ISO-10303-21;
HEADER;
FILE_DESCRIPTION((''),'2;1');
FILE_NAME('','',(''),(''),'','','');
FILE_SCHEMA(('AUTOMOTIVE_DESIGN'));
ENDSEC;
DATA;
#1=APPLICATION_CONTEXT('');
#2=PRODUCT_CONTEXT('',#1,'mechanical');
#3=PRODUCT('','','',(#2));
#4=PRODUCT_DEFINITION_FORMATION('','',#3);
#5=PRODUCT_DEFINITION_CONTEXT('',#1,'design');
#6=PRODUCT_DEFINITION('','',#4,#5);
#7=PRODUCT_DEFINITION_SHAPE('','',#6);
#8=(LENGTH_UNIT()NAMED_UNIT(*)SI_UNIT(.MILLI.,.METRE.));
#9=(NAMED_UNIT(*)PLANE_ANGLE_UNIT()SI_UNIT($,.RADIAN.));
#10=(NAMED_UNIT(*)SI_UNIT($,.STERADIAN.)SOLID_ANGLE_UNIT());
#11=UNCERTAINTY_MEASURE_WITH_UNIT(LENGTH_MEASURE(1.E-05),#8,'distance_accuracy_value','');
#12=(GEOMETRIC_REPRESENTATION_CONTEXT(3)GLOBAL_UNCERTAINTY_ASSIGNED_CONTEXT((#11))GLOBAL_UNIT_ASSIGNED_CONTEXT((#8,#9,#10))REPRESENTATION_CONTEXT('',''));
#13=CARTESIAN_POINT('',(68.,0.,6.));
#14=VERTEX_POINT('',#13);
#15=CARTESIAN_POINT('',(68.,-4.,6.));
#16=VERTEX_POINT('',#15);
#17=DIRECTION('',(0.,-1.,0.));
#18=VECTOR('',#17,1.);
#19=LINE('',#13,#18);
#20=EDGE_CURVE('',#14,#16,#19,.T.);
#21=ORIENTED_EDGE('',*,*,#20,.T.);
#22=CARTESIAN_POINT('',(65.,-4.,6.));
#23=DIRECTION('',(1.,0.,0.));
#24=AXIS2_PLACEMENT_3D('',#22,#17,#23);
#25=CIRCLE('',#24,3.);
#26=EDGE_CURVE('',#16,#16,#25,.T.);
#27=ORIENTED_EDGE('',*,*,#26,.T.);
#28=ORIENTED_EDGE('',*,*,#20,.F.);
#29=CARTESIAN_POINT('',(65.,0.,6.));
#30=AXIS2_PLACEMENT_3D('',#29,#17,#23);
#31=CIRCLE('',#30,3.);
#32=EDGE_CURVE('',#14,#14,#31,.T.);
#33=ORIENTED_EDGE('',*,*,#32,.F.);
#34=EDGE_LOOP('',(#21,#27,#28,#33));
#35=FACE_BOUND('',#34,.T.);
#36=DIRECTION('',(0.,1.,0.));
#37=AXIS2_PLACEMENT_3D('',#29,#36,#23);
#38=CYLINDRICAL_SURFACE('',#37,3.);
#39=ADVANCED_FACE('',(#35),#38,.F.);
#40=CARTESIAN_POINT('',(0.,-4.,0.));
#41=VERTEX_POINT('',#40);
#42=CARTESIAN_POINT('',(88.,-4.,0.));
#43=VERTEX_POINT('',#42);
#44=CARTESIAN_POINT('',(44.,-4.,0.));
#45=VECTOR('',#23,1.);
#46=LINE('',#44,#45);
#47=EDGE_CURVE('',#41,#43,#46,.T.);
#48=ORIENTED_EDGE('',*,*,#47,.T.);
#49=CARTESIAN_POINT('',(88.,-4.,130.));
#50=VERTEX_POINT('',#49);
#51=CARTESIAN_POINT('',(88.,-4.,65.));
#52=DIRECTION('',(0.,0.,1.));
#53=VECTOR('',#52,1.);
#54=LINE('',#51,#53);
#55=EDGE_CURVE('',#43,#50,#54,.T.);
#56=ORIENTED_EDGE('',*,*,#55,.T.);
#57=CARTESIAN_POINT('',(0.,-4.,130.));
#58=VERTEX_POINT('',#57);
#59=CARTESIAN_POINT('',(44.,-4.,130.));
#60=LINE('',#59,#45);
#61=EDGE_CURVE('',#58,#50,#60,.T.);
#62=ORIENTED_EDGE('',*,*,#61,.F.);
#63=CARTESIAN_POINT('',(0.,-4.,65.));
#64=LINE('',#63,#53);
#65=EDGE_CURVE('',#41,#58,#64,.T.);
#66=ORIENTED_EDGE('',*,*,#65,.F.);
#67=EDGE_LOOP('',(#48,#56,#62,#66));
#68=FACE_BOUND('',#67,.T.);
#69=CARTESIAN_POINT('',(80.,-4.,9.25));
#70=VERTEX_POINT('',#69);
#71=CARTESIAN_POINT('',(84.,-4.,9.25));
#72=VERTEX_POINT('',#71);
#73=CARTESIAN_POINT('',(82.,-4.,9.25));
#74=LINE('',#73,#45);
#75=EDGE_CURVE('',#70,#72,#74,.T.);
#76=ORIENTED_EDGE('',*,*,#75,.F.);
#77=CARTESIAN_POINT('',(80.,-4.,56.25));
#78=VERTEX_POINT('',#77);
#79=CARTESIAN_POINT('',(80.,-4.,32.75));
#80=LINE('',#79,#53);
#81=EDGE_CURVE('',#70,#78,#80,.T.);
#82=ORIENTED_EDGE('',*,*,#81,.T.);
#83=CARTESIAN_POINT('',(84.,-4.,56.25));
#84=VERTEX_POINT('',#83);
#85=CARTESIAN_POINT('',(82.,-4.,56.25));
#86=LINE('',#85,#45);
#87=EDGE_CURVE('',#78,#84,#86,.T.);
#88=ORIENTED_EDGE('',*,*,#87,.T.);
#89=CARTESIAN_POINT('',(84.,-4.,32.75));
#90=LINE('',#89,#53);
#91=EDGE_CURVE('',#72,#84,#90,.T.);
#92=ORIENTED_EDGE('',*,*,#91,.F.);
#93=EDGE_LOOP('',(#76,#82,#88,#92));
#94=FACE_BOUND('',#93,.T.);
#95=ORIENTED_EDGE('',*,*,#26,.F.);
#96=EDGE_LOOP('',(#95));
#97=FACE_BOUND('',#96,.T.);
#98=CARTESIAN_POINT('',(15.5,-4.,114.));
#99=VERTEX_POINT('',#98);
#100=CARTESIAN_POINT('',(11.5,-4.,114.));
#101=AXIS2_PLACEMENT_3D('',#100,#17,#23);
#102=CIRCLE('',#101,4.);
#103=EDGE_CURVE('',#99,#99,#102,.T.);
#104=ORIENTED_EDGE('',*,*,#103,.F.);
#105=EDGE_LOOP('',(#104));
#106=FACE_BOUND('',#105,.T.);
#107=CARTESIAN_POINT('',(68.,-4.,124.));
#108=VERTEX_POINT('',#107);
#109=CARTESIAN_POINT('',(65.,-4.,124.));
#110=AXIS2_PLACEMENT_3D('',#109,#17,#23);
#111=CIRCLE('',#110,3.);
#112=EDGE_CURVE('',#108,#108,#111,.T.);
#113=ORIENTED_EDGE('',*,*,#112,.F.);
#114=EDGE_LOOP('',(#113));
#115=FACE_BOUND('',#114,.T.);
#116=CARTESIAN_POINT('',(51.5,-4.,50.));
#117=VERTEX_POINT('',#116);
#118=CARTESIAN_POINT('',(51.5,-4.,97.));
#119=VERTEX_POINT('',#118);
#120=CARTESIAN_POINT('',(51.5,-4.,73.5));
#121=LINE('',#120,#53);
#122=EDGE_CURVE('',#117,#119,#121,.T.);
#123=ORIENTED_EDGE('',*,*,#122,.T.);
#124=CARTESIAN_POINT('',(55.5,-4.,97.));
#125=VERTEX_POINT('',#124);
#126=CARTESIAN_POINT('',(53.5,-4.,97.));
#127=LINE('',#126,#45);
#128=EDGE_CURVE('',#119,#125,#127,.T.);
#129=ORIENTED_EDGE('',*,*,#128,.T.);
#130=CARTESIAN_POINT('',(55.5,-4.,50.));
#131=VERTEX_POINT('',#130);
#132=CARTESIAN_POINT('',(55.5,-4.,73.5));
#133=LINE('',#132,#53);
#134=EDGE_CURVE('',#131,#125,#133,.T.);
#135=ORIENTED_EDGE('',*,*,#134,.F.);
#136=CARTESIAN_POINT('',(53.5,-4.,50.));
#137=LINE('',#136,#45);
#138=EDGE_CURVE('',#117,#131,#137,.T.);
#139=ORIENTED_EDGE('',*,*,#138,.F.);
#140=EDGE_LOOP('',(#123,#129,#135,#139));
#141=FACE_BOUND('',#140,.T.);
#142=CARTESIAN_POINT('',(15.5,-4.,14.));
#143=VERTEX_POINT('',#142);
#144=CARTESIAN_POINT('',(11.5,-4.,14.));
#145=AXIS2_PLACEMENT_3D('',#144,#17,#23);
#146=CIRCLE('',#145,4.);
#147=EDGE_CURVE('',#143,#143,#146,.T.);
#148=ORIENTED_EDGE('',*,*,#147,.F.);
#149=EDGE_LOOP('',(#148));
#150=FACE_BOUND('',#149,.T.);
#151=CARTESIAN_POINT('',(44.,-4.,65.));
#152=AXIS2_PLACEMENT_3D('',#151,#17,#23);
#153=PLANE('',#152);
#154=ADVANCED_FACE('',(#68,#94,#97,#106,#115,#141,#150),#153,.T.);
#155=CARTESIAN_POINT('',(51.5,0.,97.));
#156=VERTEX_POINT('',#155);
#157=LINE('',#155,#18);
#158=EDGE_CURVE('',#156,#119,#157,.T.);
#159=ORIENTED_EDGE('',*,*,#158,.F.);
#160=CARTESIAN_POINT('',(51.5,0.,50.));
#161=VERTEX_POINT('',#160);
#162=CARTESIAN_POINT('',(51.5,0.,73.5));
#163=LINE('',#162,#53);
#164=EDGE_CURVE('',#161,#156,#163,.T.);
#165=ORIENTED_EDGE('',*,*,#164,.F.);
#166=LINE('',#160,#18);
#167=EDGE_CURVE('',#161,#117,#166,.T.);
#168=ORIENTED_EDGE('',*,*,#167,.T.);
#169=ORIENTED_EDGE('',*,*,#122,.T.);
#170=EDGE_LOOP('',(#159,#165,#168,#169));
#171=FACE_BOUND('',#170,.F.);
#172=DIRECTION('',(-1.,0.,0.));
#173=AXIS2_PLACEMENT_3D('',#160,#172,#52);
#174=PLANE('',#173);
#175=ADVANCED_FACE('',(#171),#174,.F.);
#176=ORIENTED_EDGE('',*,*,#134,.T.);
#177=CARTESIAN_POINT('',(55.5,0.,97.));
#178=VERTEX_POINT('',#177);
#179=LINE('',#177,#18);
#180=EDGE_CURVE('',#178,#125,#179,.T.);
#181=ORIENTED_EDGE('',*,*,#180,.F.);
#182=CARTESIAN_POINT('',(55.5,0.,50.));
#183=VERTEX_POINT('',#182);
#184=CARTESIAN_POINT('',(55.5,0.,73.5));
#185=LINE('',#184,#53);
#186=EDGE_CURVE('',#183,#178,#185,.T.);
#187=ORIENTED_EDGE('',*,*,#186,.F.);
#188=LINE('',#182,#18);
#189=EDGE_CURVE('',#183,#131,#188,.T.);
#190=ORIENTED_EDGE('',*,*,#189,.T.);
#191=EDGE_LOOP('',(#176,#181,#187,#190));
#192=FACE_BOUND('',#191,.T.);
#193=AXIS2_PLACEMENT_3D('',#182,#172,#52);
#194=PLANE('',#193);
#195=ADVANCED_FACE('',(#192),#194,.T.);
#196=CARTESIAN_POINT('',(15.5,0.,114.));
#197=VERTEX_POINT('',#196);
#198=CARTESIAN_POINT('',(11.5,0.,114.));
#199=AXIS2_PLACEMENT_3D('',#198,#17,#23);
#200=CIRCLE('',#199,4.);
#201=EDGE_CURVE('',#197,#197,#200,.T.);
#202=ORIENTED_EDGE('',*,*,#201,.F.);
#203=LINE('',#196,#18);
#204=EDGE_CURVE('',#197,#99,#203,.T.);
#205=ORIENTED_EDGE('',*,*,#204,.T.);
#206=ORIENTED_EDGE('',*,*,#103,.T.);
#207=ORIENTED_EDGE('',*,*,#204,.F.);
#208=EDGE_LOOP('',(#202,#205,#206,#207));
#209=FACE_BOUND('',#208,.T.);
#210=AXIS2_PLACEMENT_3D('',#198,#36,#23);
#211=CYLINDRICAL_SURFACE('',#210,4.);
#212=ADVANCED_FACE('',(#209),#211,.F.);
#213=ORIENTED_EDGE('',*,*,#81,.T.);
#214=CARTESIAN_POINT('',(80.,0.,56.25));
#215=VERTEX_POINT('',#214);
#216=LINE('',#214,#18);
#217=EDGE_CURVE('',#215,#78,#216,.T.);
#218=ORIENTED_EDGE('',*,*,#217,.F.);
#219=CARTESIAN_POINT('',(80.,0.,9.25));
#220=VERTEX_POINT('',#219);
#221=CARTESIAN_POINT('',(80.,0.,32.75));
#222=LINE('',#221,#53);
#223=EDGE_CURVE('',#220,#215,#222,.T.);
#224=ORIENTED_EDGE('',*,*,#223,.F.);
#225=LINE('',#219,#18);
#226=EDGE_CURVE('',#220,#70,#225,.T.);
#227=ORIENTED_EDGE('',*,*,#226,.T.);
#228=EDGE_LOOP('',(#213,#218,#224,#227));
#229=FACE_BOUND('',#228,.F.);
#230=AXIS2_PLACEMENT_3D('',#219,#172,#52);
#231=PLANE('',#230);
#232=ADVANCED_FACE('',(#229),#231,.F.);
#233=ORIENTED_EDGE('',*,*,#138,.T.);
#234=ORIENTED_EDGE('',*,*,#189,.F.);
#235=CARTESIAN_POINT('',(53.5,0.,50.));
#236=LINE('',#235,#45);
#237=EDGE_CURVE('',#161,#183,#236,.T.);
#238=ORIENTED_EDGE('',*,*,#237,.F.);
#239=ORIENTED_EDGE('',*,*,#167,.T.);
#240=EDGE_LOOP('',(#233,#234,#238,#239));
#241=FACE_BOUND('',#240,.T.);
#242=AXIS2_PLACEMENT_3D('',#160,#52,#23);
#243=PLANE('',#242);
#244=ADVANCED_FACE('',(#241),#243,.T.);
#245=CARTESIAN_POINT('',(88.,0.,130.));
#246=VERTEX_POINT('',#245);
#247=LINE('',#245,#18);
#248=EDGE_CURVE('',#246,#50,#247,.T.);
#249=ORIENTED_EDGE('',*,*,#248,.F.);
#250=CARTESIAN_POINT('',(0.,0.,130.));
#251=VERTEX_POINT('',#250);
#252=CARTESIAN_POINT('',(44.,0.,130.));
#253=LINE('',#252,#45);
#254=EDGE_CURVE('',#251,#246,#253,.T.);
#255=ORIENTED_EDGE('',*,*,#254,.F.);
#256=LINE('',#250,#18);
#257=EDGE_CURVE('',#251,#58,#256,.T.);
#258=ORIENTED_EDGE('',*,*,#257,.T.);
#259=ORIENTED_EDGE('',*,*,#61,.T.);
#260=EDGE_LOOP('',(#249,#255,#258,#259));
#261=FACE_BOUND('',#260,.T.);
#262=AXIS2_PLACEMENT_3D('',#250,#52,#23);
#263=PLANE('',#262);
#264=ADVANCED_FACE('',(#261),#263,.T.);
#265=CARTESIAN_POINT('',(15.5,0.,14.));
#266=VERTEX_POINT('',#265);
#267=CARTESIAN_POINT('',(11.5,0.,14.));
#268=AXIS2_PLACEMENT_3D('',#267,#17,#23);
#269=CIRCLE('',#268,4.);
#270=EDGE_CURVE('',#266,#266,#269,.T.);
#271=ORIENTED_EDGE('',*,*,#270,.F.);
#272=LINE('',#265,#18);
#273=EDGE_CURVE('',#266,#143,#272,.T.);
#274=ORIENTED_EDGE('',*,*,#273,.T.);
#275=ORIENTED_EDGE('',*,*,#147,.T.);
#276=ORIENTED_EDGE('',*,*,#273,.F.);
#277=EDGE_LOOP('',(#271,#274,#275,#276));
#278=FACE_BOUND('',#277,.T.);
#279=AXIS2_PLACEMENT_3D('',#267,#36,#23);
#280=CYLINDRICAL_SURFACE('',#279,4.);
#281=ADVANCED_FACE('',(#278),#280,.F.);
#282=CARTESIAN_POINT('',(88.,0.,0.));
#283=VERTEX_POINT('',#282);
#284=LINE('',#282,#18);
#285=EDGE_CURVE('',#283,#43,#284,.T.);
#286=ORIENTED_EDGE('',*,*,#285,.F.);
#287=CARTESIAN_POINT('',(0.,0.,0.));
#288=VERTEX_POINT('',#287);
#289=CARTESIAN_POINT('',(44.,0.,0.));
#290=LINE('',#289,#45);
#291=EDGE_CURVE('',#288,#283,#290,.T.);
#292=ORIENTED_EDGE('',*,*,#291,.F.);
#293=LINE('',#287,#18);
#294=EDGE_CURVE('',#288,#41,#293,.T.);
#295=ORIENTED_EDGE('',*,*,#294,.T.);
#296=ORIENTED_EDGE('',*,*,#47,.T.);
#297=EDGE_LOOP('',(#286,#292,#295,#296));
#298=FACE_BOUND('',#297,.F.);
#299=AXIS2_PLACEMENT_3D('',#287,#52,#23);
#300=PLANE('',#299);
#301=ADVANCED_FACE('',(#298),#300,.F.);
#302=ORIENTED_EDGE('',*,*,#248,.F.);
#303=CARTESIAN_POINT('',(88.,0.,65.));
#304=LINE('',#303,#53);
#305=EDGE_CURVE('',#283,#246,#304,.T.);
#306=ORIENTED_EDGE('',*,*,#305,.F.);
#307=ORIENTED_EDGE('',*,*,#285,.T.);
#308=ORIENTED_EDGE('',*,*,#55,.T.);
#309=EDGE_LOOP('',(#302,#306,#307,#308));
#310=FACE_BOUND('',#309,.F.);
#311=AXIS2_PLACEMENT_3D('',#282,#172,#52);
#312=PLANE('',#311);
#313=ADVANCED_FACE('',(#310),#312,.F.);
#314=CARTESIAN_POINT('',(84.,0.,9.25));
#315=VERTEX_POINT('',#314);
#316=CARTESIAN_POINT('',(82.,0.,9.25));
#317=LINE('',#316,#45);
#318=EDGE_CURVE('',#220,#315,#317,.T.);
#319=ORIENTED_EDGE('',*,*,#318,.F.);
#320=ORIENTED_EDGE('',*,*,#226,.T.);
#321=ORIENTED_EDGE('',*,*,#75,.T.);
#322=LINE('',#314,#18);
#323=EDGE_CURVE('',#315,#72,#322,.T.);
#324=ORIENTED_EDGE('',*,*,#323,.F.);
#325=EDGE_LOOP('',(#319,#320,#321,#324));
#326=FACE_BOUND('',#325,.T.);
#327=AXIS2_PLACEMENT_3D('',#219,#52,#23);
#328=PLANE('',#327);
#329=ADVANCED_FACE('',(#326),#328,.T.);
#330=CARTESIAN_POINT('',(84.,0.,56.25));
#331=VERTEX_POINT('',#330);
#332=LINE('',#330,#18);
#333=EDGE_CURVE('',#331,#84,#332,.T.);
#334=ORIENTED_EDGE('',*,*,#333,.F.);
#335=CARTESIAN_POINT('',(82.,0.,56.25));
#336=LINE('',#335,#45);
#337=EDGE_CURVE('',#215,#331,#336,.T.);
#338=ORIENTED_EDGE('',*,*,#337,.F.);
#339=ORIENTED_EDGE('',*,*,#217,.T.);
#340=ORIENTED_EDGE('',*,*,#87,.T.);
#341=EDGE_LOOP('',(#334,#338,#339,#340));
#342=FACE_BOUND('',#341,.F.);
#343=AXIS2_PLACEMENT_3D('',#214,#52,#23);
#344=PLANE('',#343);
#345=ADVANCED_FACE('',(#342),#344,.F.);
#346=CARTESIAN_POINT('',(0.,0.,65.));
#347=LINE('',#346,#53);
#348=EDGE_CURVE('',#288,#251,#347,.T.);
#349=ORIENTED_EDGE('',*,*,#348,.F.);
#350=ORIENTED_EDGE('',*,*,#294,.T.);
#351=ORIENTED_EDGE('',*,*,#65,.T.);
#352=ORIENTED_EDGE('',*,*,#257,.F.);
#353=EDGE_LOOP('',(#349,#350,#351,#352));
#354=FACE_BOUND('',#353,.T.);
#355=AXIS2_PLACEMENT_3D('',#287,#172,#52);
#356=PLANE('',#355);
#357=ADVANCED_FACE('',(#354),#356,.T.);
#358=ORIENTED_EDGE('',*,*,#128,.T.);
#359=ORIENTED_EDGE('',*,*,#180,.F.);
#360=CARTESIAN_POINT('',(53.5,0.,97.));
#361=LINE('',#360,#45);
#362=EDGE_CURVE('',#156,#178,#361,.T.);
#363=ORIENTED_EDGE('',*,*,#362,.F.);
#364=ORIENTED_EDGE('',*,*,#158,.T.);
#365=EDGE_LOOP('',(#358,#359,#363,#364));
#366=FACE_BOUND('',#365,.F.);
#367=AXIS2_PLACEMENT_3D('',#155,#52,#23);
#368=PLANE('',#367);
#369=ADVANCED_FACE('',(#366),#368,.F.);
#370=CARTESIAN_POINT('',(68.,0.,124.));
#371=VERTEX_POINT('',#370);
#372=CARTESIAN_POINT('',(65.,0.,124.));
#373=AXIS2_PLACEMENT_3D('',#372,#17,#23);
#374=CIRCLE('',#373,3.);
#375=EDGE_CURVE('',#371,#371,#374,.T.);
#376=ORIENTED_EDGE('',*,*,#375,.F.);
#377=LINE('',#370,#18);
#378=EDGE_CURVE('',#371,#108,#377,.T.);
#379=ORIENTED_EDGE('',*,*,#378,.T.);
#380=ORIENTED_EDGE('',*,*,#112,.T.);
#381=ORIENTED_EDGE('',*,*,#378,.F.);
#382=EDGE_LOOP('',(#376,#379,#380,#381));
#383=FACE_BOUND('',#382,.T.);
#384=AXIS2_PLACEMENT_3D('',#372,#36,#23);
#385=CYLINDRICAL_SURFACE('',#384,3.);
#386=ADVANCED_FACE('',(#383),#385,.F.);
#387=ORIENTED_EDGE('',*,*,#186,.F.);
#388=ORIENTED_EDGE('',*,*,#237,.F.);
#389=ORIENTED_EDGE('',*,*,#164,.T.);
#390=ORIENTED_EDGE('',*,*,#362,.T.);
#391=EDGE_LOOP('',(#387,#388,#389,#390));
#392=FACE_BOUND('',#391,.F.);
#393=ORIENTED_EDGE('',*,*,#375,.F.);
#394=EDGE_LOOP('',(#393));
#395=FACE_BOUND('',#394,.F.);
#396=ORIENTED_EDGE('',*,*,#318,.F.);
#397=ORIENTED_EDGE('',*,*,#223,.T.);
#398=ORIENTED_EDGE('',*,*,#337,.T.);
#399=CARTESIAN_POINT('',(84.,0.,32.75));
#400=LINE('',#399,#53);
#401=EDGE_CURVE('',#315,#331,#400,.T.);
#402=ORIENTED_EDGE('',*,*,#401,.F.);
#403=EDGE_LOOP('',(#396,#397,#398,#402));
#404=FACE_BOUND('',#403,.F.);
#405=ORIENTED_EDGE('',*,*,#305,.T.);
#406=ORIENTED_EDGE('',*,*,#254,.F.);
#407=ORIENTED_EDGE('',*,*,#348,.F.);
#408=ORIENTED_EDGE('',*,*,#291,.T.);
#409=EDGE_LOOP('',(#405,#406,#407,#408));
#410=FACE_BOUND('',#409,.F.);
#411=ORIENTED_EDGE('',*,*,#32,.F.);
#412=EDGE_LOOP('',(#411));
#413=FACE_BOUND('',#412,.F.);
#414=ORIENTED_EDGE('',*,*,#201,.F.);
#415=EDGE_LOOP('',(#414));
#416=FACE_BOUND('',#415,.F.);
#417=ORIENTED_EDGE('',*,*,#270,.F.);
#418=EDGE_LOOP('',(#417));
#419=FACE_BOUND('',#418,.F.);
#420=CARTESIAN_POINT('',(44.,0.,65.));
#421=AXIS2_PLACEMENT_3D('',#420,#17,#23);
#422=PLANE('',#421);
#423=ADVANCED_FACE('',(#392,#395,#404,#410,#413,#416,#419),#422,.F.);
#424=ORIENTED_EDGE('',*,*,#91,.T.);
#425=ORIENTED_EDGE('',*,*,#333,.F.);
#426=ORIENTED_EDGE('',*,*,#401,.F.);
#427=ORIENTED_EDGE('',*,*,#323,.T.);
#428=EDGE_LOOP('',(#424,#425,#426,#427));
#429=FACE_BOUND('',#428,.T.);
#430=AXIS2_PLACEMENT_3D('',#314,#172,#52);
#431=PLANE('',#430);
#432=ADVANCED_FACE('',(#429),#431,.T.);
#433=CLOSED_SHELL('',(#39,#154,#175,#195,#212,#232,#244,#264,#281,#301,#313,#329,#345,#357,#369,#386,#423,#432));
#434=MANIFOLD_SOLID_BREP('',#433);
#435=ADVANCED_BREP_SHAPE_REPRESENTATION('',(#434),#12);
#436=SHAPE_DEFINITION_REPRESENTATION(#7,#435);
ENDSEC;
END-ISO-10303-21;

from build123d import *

# Parameters (mm, degrees)
F0_W     = 88
F0_H     = 130
F0_R     = 4
F0_R_2   = 3
F0_W_2   = 4
F0_H_2   = 47
F1_DEPTH = 4


with BuildPart() as f1:
    # F0 (on Front) → F1 (new body)
    with BuildSketch(Plane.XZ):
        with Locations((44, 65)):
            Rectangle(F0_W, F0_H)
        with Locations((11.5, 14)):
            Circle(F0_R, mode=Mode.SUBTRACT)
        with Locations((65, 6)):
            Circle(F0_R_2, mode=Mode.SUBTRACT)
        with Locations((82, 32.75)):
            Rectangle(F0_W_2, F0_H_2, mode=Mode.SUBTRACT)
        with Locations((11.5, 114)):
            Circle(F0_R, mode=Mode.SUBTRACT)
        with Locations((53.5, 73.5)):
            Rectangle(F0_W_2, F0_H_2, mode=Mode.SUBTRACT)
        with Locations((65, 124)):
            Circle(F0_R_2, mode=Mode.SUBTRACT)
    extrude(amount=F1_DEPTH)


solid = f1.part
